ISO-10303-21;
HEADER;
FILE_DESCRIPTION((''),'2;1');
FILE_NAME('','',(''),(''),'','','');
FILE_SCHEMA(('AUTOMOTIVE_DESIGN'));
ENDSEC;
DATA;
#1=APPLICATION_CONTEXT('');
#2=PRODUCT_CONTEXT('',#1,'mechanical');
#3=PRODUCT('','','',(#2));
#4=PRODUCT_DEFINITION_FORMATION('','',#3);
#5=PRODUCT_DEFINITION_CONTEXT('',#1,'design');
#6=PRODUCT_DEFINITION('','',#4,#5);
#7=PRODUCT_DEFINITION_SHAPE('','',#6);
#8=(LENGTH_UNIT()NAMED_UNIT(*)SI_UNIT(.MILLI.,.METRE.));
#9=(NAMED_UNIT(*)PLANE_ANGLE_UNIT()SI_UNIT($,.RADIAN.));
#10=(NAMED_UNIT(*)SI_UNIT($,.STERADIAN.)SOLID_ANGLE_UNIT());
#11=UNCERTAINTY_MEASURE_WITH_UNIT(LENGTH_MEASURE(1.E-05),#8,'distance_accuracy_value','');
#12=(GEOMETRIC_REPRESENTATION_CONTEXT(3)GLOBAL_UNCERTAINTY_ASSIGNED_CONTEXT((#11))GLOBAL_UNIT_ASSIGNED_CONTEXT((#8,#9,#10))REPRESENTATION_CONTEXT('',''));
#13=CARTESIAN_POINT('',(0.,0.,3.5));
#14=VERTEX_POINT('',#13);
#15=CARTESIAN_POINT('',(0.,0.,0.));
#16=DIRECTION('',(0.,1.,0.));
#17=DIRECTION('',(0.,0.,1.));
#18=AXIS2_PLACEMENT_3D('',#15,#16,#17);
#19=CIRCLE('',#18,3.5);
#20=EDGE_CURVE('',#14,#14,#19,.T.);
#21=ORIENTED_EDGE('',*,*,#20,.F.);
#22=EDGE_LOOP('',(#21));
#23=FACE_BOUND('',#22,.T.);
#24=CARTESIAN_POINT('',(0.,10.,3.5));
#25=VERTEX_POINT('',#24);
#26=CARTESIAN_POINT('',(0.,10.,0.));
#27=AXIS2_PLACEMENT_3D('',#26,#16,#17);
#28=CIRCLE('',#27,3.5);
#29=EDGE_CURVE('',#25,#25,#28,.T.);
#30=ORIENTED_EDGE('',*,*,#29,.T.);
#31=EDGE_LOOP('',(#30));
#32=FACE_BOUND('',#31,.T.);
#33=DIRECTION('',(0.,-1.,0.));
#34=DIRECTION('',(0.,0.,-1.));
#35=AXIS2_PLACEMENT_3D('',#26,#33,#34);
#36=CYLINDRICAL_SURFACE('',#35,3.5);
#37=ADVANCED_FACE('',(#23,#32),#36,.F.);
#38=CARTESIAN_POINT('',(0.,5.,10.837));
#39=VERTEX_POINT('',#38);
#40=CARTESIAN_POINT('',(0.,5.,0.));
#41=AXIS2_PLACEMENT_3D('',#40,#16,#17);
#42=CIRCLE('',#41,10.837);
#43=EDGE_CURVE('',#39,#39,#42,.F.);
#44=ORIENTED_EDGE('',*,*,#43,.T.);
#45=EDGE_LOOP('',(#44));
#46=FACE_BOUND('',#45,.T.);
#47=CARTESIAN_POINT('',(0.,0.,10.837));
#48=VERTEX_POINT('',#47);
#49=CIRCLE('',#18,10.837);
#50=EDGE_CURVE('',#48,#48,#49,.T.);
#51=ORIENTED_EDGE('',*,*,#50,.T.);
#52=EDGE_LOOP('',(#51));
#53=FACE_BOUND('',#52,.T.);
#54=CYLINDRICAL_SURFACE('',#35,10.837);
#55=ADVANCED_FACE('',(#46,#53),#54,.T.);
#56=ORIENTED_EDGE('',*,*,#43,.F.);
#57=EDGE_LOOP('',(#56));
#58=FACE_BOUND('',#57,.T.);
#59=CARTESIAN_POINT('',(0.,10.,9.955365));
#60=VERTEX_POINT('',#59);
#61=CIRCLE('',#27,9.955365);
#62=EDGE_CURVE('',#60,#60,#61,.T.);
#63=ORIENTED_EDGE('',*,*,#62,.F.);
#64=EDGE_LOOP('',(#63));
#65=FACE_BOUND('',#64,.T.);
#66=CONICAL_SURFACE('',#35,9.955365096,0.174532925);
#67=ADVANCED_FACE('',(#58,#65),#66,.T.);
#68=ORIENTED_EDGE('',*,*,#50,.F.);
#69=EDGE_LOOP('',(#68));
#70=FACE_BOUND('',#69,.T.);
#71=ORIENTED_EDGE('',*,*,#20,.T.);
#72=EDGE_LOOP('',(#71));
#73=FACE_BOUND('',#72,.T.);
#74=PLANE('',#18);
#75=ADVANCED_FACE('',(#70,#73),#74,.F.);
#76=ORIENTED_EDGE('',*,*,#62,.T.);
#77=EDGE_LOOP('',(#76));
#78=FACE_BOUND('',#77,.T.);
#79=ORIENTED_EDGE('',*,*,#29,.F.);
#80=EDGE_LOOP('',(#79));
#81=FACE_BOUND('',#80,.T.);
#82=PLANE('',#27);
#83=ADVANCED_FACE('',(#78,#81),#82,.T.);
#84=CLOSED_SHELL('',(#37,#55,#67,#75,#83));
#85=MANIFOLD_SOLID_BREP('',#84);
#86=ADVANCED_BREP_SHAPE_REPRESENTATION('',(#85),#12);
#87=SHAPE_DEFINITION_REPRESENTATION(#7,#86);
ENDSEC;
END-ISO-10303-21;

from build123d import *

# Parameters (mm, degrees)
SKETCH1_R           = 10.837
SKETCH1_R_2         = 3.5
BOSS_EXTRUDE1_DEPTH = 10
CHAMFER1_SIZE       = 5
CHAMFER1_SIZE2      = 0.881634904


with BuildPart() as part:
    # Sketch1 → Boss-Extrude1 (new body)
    with BuildSketch(Plane(origin=(0, 0, 0), x_dir=(1, 0, 0), z_dir=(0, 1, 0))):
        with Locations(Location((0, 0, 0), (0, 0, 270))):
            Circle(SKETCH1_R)
        with Locations(Location((0, 0, 0), (0, 0, 270))):
            Circle(SKETCH1_R_2, mode=Mode.SUBTRACT)
    extrude(amount=BOSS_EXTRUDE1_DEPTH)

    # Chamfer1
    chamfer1_edges = [part.edges().sort_by_distance(p)[0] for p in [
        (0, 10, -10.837),
    ]]
    chamfer1_side = [part.faces().sort_by_distance(p)[0] for p in [
        (0, 5, -10.837),
    ]]
    chamfer(chamfer1_edges, length=CHAMFER1_SIZE, length2=CHAMFER1_SIZE2, reference=chamfer1_side[0])


solid = part.part
